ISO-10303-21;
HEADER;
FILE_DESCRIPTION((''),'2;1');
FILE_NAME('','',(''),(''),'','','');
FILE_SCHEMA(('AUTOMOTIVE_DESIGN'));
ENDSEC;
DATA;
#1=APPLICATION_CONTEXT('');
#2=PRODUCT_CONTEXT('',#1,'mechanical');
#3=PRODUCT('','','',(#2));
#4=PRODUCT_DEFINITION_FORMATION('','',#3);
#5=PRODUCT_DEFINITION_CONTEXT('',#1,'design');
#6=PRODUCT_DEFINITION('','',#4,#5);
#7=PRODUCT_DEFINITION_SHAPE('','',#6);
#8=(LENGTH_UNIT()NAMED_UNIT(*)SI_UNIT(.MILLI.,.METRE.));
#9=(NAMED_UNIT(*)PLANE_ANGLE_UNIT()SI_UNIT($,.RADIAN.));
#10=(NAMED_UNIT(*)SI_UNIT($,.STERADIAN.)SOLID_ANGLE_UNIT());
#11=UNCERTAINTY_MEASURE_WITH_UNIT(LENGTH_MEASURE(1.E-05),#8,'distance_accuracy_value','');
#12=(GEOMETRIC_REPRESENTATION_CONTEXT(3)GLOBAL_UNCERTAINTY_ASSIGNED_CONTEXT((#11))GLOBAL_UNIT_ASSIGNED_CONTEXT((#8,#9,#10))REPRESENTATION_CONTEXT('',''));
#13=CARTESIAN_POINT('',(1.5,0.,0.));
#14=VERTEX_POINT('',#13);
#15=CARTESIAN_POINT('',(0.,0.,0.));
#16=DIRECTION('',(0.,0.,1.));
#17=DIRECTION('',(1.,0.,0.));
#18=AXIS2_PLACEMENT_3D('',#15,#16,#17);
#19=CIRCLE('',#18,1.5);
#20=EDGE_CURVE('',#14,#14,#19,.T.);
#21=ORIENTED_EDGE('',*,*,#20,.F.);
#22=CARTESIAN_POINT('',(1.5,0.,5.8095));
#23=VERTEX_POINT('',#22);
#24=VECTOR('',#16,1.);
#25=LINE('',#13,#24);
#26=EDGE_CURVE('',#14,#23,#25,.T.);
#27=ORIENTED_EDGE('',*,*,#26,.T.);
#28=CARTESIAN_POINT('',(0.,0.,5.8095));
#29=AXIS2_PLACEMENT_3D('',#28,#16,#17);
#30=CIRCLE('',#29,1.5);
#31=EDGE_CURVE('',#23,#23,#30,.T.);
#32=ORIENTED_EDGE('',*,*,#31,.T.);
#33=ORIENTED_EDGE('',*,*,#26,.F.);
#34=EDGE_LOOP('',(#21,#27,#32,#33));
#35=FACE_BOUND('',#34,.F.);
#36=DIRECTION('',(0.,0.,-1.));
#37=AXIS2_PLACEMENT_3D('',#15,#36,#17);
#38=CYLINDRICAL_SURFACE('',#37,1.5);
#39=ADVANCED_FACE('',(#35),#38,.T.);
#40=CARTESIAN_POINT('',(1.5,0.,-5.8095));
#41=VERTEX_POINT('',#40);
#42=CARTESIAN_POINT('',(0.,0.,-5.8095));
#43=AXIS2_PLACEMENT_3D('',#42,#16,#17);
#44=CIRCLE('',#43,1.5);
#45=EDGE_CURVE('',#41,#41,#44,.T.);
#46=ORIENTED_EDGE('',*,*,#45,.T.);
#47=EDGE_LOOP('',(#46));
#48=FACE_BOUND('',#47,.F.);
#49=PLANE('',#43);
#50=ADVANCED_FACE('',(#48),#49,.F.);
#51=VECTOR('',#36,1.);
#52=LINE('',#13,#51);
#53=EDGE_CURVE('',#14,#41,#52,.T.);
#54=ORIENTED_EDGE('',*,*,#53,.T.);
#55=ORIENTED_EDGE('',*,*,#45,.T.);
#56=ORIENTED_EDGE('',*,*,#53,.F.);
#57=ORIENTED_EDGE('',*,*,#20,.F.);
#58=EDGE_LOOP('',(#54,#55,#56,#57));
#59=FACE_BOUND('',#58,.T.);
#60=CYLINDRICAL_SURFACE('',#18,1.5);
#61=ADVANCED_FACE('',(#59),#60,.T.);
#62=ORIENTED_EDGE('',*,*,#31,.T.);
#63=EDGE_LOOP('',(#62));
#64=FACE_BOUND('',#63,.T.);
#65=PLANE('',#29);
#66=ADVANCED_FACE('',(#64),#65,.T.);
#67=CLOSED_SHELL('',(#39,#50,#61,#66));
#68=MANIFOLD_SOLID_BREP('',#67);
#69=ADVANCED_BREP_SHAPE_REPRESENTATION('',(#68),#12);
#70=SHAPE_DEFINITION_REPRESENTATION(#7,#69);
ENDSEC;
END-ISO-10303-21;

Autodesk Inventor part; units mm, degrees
ref_plane "YZ Plane" through (0, 0, 0) normal (1, 0, 0) x (0, 1, 0)
ref_plane "XZ Plane" through (0, 0, 0) normal (0, 1, 0) x (-1, 0, 0)
ref_plane "XY Plane" through (0, 0, 0) normal (0, 0, 1) x (1, 0, 0)
sketch "Sketch1" plane through (0, 0, 0) normal (0, 0, 1) x (1, 0, 0)
  circle A0 centre (0, 0) radius 1.5
  dimension "d0" = 3
extrude "Extrusion1" add sketch "Sketch1" along normal mid plane 11.619
properties part number "TW2A-003" material "Steel, Carbon"
